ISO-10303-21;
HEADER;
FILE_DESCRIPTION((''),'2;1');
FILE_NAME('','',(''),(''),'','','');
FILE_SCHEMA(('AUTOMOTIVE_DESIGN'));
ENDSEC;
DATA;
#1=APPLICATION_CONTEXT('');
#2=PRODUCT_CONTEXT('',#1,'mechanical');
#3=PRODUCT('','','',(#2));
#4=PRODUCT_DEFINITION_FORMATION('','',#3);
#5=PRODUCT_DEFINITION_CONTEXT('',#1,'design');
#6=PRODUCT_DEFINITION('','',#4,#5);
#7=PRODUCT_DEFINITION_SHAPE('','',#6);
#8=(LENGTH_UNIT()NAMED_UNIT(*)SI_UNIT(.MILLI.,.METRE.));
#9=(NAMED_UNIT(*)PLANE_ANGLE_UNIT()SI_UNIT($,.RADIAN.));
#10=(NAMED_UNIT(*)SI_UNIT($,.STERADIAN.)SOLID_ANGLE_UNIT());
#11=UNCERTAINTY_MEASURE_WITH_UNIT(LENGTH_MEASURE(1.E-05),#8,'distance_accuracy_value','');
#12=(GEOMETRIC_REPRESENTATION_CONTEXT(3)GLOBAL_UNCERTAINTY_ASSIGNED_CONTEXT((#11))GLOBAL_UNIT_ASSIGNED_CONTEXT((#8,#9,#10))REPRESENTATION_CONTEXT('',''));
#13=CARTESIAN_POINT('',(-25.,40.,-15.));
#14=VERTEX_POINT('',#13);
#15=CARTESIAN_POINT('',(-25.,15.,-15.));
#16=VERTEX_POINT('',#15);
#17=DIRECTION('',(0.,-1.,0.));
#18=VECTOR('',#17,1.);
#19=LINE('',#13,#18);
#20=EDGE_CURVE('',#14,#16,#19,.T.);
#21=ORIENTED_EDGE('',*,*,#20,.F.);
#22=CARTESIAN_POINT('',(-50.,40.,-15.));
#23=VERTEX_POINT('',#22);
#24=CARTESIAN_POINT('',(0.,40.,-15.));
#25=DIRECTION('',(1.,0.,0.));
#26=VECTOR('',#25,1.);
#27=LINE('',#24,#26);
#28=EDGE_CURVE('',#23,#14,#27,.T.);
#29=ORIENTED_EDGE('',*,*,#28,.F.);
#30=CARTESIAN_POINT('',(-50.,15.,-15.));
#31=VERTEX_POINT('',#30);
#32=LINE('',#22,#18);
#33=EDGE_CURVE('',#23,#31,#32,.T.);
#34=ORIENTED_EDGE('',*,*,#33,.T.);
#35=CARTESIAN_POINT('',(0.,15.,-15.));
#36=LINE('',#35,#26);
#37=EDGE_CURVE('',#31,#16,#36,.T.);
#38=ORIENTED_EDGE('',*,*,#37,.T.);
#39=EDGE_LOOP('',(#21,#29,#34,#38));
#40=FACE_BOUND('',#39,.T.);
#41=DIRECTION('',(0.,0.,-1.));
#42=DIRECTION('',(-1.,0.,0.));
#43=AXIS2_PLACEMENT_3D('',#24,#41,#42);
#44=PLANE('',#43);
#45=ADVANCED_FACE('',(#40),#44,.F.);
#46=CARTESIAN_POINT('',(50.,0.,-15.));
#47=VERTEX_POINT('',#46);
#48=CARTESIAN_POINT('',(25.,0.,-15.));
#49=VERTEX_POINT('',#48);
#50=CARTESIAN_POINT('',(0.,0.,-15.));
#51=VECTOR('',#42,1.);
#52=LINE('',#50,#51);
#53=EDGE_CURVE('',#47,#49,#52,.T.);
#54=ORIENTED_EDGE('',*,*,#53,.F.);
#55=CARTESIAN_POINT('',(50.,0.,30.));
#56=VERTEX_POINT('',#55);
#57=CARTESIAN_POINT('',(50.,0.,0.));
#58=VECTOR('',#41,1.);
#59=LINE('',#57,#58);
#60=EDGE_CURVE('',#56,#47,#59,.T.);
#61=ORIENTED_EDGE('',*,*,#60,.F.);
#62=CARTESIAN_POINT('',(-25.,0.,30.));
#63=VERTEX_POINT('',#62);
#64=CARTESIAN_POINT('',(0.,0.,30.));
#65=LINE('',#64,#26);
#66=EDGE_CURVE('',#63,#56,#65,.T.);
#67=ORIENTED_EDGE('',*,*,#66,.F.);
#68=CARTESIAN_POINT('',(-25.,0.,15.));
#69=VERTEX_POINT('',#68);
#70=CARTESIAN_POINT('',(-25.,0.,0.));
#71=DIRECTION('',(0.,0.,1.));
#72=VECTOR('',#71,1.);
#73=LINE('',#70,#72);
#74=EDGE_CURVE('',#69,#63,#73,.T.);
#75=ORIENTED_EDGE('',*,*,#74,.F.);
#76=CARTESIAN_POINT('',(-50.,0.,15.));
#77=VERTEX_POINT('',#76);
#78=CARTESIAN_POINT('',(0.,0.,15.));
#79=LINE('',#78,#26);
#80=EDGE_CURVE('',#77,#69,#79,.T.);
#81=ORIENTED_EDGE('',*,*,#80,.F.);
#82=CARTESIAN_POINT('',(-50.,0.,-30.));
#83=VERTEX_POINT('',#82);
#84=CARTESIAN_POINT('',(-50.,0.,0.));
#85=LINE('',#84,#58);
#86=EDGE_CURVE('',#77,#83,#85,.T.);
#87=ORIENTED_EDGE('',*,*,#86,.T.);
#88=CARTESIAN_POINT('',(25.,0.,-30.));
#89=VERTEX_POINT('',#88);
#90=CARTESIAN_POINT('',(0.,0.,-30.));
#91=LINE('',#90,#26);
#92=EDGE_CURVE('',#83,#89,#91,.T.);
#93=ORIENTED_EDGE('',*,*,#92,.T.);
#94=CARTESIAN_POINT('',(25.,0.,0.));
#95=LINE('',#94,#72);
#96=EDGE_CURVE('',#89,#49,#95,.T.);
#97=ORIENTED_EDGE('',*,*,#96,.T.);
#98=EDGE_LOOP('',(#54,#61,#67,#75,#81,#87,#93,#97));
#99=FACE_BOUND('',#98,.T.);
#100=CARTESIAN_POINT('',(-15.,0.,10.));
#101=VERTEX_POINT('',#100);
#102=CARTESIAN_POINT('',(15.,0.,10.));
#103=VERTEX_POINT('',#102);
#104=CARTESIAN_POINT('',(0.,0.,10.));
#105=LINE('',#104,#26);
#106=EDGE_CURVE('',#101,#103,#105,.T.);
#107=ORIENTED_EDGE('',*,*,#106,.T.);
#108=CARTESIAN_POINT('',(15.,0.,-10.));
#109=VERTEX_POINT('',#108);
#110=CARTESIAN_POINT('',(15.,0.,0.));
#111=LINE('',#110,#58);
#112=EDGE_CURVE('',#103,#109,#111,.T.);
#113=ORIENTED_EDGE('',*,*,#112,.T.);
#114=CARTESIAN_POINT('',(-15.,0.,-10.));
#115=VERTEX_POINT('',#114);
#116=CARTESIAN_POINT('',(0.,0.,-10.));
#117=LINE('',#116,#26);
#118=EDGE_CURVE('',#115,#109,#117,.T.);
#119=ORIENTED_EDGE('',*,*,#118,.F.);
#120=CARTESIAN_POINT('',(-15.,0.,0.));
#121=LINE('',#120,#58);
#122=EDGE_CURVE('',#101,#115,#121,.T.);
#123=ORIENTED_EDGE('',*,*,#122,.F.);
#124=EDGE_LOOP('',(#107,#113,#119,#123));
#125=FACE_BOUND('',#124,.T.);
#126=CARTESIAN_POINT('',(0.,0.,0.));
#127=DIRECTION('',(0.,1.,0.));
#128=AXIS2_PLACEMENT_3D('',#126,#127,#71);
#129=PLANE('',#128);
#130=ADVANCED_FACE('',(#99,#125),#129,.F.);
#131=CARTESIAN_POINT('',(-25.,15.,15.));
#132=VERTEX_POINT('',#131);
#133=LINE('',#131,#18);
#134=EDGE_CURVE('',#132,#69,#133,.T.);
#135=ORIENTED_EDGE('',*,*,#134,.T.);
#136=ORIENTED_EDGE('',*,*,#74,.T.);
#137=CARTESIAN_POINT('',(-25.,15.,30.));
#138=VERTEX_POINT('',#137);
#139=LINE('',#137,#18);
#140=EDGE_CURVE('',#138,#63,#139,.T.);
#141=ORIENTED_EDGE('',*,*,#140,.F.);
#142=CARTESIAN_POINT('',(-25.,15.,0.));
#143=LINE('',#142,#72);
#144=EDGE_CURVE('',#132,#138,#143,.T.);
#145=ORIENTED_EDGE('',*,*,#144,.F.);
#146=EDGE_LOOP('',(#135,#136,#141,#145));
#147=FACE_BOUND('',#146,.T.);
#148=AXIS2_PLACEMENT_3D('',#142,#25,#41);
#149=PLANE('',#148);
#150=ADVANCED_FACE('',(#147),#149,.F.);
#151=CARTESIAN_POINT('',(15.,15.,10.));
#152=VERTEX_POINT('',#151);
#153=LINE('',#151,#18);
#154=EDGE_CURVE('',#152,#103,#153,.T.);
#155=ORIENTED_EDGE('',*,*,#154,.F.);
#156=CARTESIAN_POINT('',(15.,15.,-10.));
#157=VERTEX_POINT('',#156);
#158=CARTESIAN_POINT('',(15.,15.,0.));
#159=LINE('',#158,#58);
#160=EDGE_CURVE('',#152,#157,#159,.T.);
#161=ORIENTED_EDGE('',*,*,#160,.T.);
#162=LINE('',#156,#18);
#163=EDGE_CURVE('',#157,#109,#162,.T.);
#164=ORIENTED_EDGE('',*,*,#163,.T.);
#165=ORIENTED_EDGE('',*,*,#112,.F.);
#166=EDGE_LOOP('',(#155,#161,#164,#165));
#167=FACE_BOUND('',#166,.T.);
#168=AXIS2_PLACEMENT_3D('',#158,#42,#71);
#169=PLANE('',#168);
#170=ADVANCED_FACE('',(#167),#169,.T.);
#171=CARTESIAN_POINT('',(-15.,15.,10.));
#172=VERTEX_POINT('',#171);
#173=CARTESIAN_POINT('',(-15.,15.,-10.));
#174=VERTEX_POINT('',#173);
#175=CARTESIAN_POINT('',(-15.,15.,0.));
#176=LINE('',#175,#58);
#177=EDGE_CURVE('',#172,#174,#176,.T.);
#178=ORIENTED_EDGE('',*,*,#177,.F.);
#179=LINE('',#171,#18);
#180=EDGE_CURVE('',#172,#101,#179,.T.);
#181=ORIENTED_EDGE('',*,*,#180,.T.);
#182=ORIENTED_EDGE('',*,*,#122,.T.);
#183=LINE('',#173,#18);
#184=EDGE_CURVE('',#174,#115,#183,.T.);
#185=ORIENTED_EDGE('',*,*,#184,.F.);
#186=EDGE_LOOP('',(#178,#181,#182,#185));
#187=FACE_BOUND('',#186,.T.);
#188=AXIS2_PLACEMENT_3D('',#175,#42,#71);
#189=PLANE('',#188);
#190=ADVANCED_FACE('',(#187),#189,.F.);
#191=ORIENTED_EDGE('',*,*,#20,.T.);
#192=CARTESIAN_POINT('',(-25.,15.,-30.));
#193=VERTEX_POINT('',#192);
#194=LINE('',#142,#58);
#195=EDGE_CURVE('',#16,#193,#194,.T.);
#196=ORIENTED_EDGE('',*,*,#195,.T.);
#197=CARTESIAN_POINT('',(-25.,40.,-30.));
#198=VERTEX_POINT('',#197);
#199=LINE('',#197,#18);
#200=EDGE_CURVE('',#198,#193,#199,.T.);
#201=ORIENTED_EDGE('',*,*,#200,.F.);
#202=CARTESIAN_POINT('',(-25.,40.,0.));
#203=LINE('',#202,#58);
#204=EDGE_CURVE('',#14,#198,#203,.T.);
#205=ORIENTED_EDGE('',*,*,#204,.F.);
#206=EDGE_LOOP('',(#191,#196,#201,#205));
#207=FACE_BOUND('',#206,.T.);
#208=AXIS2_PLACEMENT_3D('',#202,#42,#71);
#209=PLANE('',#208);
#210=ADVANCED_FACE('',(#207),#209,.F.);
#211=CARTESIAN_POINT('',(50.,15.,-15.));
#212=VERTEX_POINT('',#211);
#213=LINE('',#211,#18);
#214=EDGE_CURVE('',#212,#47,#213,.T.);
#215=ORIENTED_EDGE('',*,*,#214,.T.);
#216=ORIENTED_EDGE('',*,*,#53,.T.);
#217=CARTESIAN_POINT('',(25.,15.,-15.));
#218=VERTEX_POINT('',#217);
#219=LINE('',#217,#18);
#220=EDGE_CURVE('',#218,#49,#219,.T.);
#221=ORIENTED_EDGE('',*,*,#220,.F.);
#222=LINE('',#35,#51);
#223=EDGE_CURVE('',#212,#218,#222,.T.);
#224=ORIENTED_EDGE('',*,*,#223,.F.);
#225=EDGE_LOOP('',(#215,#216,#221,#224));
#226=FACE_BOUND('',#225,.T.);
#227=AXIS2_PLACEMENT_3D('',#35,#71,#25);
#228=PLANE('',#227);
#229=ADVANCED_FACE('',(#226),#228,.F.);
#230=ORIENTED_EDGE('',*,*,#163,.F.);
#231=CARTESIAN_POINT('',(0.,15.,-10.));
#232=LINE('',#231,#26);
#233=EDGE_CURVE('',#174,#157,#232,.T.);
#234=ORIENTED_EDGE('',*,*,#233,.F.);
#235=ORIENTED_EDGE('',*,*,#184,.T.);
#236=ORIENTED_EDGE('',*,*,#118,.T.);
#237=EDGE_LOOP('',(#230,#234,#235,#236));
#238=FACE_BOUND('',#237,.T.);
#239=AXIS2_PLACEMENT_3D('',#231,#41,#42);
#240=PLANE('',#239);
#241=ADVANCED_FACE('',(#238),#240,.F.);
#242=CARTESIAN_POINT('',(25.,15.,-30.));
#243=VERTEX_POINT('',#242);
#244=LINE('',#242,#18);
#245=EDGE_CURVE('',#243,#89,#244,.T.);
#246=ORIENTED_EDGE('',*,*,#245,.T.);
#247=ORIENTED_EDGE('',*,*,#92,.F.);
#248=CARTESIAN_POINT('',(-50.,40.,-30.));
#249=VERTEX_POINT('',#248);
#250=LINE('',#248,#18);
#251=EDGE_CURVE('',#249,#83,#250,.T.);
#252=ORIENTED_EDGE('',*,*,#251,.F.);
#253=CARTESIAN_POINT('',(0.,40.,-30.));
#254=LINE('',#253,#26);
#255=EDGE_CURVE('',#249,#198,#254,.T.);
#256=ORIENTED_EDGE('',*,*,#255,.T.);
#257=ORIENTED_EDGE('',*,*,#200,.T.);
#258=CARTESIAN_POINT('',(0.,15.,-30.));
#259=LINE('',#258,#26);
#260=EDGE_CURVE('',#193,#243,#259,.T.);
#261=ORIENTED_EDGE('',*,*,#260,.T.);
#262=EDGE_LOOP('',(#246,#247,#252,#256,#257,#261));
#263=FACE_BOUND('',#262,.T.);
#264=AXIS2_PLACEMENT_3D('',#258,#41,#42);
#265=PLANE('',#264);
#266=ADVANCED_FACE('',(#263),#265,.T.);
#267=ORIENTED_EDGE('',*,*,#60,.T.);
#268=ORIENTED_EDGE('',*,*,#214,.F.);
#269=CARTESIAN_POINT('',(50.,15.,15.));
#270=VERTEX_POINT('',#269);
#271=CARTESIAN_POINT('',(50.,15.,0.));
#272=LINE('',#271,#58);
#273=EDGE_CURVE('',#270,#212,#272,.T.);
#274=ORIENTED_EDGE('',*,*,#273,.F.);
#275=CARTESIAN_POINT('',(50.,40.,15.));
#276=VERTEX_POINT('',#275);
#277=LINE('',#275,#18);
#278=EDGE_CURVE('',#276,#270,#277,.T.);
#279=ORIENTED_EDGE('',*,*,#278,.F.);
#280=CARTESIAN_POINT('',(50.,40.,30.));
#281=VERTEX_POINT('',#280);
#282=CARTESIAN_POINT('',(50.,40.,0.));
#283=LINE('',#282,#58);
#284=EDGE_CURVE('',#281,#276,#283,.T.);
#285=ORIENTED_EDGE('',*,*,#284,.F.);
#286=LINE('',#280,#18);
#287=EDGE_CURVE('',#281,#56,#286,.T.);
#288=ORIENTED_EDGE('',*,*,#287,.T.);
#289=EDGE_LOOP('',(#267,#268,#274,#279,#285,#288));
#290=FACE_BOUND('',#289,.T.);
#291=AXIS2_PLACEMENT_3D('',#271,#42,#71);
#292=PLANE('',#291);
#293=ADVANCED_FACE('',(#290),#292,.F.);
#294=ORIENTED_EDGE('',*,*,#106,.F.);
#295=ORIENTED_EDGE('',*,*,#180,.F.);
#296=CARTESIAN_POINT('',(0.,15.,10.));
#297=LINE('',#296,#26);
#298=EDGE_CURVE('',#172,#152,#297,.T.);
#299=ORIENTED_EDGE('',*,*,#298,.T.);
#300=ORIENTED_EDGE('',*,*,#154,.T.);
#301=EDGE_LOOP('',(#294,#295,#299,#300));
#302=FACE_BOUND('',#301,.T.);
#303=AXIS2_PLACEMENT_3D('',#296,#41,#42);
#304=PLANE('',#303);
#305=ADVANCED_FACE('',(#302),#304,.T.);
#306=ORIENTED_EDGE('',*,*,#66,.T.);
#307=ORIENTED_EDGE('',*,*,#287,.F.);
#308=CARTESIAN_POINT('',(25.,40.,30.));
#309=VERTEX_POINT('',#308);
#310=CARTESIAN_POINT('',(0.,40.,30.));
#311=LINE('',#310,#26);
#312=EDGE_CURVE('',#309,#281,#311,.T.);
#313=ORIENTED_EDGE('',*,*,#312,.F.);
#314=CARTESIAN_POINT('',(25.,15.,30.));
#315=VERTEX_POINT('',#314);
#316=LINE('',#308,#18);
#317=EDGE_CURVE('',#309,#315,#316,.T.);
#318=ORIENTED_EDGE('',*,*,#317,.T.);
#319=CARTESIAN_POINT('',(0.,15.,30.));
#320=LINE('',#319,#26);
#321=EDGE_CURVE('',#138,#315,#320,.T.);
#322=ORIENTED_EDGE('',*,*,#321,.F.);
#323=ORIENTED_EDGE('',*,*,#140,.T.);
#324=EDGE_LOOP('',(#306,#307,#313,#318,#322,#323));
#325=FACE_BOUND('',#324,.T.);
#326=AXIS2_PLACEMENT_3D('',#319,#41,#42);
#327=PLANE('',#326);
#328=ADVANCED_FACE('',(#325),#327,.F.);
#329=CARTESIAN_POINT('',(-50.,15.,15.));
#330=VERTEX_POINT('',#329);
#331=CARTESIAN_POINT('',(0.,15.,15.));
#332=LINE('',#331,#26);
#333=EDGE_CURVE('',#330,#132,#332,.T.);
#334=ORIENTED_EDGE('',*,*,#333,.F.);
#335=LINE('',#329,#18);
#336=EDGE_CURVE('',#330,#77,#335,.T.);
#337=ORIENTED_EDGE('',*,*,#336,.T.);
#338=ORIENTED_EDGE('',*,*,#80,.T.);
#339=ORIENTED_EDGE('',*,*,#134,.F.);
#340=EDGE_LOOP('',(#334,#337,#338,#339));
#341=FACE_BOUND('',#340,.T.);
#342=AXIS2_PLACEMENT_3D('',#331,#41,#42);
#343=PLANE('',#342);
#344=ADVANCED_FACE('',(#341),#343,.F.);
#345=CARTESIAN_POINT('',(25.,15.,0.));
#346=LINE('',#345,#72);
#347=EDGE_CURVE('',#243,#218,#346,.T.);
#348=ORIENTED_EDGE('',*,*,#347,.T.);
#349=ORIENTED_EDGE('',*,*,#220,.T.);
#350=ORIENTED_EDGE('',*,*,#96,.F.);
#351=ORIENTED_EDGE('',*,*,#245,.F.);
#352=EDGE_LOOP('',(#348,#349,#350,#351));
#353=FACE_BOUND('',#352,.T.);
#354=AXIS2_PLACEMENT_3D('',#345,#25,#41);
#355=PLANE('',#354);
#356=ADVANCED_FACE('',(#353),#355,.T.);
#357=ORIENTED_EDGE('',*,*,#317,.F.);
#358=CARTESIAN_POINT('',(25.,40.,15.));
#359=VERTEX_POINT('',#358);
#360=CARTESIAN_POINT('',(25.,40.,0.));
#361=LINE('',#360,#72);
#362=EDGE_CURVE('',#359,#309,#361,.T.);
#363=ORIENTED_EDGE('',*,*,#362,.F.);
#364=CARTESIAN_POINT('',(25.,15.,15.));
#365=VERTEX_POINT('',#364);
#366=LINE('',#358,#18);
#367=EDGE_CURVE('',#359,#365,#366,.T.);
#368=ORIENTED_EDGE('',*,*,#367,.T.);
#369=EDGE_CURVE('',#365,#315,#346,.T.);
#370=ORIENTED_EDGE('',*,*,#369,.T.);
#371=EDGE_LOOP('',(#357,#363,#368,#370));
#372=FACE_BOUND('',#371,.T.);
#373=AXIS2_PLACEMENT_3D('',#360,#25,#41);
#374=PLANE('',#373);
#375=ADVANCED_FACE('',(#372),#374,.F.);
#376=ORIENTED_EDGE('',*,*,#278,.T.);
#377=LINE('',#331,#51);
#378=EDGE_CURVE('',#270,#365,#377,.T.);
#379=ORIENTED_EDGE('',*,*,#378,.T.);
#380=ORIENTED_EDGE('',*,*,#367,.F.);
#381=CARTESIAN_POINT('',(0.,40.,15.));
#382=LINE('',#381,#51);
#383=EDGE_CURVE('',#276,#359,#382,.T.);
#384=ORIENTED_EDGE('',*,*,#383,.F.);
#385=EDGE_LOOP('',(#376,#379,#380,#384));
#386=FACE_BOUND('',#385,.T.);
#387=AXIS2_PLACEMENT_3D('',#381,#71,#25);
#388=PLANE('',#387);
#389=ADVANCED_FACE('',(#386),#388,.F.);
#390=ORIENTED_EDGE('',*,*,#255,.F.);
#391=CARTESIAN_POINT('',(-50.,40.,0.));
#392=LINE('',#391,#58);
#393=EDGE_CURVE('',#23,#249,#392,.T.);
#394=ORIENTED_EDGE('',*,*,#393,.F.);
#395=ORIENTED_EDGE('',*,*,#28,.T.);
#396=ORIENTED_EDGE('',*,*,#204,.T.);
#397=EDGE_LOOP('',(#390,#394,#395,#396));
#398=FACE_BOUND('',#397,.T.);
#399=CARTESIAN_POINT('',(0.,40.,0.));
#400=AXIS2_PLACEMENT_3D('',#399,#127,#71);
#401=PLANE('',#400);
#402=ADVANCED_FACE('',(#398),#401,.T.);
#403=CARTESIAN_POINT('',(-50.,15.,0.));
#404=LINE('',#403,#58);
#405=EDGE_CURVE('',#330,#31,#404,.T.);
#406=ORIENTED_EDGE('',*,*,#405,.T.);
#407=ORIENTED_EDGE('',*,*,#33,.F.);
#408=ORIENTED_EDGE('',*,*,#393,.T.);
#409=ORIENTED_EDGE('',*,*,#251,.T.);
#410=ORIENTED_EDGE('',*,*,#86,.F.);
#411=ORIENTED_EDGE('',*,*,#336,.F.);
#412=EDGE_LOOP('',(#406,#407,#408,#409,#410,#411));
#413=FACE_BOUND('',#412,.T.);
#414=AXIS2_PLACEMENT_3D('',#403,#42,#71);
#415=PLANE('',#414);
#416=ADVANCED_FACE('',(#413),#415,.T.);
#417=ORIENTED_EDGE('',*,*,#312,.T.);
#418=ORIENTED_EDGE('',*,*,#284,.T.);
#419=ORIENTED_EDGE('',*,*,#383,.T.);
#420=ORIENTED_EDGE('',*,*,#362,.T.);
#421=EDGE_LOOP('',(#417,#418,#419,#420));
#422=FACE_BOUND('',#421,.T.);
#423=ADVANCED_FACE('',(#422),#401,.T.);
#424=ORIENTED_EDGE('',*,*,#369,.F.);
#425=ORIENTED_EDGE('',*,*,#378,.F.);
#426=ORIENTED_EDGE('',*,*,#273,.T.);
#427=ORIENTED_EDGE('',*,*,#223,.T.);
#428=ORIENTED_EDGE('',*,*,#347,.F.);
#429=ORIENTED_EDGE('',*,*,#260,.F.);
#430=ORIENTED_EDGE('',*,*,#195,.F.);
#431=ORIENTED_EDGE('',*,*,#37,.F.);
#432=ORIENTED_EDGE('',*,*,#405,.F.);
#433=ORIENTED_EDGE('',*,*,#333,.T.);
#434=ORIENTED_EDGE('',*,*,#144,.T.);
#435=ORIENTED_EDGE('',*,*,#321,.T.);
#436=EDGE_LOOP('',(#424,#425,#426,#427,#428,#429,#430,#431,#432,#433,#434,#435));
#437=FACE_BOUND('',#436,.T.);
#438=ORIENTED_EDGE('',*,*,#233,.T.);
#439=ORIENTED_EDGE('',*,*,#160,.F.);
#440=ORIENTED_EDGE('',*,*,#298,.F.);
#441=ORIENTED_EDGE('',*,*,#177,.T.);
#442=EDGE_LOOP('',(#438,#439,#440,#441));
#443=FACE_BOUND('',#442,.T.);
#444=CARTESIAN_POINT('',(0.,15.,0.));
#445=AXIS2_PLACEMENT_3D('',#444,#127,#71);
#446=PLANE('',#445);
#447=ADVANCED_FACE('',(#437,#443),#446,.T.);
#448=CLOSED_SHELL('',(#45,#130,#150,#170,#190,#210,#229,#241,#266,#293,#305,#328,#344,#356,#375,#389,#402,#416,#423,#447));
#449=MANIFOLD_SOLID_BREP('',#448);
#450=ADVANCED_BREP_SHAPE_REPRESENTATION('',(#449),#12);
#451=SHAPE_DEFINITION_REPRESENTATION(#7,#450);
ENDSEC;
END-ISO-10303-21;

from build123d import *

# Parameters (mm, degrees)
SKETCH1_W           = 30
SKETCH1_H           = 20
BOSS_EXTRUDE1_DEPTH = 15
SKETCH1_3_W         = 25
SKETCH1_3_H         = 15
BOSS_EXTRUDE2_DEPTH = 40


with BuildPart() as part:
    # Sketch1 → Boss-Extrude1 (new body)
    with BuildSketch(Plane(origin=(0, 0, 0), x_dir=(1, 0, 0), z_dir=(0, 1, 0))):
        Polygon((-25, -15), (-25, -30), (25, -30), (25, -15), (50, -15), (50, 15), (25, 15), (25, 30), (-25, 30), (-25, 15), (-50, 15), (-50, -15), align=None)
        Rectangle(SKETCH1_W, SKETCH1_H, mode=Mode.SUBTRACT)
    extrude(amount=BOSS_EXTRUDE1_DEPTH)

    # Sketch1<3> → Boss-Extrude2 (add)
    with BuildSketch(Plane(origin=(0, 0, 0), x_dir=(1, 0, 0), z_dir=(0, 1, 0))):
        with Locations((-37.5, 22.5)):
            Rectangle(SKETCH1_3_W, SKETCH1_3_H)
        with Locations((37.5, -22.5)):
            Rectangle(SKETCH1_3_W, SKETCH1_3_H)
    extrude(amount=BOSS_EXTRUDE2_DEPTH)


solid = part.part
